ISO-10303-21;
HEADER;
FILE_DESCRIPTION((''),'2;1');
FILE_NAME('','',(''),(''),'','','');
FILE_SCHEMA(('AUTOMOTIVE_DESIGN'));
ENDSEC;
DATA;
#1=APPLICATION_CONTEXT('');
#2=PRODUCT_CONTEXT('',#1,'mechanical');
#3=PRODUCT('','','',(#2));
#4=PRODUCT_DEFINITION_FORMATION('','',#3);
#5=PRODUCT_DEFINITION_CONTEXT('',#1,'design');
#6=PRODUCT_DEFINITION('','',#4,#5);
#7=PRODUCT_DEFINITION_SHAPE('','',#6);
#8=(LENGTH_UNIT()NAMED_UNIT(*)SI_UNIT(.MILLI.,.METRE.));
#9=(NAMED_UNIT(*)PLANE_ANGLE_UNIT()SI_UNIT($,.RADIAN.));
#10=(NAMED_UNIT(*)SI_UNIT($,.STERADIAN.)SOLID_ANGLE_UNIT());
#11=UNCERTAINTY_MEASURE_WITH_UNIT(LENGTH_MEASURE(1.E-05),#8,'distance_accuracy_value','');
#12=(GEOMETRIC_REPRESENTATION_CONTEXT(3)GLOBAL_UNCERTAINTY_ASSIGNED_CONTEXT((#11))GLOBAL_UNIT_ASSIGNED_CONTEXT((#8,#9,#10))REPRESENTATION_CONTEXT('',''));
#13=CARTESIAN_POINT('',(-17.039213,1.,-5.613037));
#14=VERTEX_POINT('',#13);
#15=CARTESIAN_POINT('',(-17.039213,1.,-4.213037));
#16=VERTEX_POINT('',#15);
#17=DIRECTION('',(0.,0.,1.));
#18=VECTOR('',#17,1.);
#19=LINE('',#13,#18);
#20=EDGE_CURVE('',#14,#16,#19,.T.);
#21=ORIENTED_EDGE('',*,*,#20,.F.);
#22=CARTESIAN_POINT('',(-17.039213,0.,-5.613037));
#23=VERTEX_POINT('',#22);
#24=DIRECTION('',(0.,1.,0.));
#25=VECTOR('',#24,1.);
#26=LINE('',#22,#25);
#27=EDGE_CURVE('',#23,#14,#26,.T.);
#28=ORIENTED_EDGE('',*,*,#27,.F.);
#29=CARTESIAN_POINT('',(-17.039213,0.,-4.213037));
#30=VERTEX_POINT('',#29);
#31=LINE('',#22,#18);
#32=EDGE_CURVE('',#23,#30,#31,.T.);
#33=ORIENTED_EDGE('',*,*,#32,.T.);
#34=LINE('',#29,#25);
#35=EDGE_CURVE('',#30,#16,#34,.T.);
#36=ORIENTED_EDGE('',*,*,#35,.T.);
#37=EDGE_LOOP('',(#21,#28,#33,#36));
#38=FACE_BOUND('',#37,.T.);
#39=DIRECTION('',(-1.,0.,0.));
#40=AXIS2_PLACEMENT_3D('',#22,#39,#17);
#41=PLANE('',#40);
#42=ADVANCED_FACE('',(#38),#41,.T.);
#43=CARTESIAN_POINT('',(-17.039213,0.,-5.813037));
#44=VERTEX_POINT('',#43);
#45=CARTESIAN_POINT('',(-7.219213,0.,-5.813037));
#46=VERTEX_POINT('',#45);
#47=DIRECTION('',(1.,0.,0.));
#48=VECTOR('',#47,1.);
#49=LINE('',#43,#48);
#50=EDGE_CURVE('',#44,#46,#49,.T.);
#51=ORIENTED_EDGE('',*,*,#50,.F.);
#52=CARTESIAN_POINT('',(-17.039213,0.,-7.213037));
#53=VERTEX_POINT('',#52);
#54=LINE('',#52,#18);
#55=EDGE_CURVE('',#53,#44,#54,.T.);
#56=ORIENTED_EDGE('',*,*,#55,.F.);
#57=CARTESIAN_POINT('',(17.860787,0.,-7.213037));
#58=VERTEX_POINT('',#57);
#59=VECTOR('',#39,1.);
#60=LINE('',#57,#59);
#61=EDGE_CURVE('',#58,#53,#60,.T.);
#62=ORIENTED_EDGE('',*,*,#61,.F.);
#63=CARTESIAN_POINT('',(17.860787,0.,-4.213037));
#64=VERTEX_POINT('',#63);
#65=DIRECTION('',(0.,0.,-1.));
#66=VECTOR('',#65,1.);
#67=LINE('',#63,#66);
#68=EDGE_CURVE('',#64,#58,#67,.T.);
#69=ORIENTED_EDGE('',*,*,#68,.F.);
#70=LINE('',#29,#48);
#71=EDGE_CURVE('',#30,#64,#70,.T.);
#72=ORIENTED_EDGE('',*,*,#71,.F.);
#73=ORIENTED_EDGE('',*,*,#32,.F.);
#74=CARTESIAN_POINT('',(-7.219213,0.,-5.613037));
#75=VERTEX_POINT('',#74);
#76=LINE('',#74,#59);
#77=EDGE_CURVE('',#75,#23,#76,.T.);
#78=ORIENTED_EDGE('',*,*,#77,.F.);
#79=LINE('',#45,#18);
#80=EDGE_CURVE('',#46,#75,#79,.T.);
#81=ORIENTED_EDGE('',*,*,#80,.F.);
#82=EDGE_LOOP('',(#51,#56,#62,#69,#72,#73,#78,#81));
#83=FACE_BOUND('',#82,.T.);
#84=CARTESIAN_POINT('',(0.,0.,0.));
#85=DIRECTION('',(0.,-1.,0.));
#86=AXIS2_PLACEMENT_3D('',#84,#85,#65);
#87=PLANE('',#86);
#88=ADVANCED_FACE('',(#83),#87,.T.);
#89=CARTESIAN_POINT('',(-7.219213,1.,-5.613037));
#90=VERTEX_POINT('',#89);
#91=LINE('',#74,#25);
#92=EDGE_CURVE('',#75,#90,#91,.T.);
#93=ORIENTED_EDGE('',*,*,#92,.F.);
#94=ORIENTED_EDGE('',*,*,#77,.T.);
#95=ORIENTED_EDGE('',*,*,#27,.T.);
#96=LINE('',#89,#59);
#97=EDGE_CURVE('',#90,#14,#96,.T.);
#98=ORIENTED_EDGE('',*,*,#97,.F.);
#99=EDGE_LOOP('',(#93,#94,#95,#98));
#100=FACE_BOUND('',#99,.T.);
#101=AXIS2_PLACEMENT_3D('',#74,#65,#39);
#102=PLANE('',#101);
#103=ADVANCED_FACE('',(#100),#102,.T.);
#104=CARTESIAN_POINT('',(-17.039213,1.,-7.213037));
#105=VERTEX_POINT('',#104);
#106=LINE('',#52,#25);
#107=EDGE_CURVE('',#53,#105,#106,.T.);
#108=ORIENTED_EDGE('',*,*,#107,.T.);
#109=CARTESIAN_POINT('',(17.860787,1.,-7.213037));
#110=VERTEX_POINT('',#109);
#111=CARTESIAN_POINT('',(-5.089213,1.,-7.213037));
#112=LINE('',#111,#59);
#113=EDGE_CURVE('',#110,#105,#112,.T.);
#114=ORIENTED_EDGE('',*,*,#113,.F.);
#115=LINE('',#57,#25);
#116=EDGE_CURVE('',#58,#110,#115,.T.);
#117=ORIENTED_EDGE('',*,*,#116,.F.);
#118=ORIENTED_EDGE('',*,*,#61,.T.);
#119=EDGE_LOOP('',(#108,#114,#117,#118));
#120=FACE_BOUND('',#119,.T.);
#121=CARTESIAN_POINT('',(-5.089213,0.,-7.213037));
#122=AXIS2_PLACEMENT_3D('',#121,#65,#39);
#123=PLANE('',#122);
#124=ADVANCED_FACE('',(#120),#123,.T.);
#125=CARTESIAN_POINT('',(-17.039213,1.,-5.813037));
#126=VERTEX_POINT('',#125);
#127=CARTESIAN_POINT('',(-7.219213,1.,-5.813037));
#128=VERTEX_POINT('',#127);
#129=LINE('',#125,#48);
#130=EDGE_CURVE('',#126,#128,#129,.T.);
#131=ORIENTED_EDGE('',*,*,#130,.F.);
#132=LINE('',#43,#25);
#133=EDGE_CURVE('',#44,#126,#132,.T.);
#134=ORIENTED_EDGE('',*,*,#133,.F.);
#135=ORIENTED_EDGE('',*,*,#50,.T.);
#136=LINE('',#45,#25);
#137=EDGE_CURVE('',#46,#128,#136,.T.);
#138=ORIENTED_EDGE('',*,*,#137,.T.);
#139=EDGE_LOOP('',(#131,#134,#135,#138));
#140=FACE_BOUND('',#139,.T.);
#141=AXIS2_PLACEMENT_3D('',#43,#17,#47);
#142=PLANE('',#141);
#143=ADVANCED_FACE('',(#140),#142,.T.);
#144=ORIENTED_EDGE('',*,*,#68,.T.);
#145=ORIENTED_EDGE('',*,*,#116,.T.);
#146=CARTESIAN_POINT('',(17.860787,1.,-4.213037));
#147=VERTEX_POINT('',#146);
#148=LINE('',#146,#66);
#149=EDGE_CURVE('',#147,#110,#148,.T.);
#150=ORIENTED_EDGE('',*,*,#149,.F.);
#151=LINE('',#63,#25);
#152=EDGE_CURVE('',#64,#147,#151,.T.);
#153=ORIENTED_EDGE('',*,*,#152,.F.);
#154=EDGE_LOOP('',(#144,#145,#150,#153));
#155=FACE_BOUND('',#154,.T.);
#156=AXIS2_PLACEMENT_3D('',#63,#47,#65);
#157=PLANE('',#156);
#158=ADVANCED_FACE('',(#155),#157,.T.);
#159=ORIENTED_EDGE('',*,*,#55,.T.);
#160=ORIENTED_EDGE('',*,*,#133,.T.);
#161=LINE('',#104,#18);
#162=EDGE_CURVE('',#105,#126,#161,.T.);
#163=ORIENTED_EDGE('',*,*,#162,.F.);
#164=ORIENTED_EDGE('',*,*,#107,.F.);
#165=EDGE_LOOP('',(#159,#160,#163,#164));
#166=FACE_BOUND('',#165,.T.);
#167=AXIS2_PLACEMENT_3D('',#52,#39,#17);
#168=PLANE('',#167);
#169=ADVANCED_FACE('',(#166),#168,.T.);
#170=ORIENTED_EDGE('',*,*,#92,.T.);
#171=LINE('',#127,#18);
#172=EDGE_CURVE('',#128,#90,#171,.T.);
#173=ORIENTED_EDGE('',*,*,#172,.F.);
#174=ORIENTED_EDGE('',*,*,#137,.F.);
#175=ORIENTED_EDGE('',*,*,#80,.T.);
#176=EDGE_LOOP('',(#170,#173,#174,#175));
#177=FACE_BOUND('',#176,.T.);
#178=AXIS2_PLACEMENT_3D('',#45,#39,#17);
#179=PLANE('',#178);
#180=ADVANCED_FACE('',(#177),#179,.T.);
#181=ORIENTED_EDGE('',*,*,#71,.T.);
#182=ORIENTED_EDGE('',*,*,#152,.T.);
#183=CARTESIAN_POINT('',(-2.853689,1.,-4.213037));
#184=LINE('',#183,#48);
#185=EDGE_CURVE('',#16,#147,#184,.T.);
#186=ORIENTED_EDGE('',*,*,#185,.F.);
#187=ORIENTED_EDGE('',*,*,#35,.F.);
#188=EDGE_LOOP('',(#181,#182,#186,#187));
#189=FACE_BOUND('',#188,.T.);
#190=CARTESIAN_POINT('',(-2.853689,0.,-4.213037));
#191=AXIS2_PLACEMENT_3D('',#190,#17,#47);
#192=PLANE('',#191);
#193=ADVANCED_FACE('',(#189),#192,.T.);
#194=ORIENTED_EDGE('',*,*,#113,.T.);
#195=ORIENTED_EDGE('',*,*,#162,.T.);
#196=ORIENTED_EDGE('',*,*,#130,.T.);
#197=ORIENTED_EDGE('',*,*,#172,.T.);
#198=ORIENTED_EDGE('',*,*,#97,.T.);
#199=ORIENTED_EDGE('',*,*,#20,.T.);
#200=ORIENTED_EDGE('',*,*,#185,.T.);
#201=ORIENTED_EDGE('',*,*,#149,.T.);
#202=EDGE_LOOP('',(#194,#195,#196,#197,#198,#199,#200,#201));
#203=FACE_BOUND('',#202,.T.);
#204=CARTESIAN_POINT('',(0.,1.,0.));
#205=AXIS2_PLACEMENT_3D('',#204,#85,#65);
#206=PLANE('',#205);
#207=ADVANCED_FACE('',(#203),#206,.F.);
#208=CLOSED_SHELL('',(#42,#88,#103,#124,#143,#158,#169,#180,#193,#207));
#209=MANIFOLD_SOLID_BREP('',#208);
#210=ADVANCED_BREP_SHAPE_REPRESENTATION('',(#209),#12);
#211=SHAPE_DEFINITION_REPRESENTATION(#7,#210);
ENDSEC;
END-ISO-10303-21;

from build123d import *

# Parameters (mm, degrees)
EXTRUDE_1_DEPTH = 1


with BuildPart() as part:
    # 草图1 → 凸台-拉伸1 (new body)
    with BuildSketch(Plane(origin=(0, 1, 0), x_dir=(1, 0, 0), z_dir=(0, 1, 0))):
        Polygon((-7.219213296, 5.813036566), (-7.219213296, 5.613036566), (-17.039213296, 5.613036566), (-17.039213296, 4.213036566), (-4.189213296, 4.213036566), (-2.853689485, 4.213036566), (17.860786704, 4.213036566), (17.860786704, 7.213036566), (-4.94779194, 7.213036566), (-5.089213296, 7.213036566), (-17.039213296, 7.213036566), (-17.039213296, 5.813036566), align=None)
    extrude(amount=-EXTRUDE_1_DEPTH)


solid = part.part
